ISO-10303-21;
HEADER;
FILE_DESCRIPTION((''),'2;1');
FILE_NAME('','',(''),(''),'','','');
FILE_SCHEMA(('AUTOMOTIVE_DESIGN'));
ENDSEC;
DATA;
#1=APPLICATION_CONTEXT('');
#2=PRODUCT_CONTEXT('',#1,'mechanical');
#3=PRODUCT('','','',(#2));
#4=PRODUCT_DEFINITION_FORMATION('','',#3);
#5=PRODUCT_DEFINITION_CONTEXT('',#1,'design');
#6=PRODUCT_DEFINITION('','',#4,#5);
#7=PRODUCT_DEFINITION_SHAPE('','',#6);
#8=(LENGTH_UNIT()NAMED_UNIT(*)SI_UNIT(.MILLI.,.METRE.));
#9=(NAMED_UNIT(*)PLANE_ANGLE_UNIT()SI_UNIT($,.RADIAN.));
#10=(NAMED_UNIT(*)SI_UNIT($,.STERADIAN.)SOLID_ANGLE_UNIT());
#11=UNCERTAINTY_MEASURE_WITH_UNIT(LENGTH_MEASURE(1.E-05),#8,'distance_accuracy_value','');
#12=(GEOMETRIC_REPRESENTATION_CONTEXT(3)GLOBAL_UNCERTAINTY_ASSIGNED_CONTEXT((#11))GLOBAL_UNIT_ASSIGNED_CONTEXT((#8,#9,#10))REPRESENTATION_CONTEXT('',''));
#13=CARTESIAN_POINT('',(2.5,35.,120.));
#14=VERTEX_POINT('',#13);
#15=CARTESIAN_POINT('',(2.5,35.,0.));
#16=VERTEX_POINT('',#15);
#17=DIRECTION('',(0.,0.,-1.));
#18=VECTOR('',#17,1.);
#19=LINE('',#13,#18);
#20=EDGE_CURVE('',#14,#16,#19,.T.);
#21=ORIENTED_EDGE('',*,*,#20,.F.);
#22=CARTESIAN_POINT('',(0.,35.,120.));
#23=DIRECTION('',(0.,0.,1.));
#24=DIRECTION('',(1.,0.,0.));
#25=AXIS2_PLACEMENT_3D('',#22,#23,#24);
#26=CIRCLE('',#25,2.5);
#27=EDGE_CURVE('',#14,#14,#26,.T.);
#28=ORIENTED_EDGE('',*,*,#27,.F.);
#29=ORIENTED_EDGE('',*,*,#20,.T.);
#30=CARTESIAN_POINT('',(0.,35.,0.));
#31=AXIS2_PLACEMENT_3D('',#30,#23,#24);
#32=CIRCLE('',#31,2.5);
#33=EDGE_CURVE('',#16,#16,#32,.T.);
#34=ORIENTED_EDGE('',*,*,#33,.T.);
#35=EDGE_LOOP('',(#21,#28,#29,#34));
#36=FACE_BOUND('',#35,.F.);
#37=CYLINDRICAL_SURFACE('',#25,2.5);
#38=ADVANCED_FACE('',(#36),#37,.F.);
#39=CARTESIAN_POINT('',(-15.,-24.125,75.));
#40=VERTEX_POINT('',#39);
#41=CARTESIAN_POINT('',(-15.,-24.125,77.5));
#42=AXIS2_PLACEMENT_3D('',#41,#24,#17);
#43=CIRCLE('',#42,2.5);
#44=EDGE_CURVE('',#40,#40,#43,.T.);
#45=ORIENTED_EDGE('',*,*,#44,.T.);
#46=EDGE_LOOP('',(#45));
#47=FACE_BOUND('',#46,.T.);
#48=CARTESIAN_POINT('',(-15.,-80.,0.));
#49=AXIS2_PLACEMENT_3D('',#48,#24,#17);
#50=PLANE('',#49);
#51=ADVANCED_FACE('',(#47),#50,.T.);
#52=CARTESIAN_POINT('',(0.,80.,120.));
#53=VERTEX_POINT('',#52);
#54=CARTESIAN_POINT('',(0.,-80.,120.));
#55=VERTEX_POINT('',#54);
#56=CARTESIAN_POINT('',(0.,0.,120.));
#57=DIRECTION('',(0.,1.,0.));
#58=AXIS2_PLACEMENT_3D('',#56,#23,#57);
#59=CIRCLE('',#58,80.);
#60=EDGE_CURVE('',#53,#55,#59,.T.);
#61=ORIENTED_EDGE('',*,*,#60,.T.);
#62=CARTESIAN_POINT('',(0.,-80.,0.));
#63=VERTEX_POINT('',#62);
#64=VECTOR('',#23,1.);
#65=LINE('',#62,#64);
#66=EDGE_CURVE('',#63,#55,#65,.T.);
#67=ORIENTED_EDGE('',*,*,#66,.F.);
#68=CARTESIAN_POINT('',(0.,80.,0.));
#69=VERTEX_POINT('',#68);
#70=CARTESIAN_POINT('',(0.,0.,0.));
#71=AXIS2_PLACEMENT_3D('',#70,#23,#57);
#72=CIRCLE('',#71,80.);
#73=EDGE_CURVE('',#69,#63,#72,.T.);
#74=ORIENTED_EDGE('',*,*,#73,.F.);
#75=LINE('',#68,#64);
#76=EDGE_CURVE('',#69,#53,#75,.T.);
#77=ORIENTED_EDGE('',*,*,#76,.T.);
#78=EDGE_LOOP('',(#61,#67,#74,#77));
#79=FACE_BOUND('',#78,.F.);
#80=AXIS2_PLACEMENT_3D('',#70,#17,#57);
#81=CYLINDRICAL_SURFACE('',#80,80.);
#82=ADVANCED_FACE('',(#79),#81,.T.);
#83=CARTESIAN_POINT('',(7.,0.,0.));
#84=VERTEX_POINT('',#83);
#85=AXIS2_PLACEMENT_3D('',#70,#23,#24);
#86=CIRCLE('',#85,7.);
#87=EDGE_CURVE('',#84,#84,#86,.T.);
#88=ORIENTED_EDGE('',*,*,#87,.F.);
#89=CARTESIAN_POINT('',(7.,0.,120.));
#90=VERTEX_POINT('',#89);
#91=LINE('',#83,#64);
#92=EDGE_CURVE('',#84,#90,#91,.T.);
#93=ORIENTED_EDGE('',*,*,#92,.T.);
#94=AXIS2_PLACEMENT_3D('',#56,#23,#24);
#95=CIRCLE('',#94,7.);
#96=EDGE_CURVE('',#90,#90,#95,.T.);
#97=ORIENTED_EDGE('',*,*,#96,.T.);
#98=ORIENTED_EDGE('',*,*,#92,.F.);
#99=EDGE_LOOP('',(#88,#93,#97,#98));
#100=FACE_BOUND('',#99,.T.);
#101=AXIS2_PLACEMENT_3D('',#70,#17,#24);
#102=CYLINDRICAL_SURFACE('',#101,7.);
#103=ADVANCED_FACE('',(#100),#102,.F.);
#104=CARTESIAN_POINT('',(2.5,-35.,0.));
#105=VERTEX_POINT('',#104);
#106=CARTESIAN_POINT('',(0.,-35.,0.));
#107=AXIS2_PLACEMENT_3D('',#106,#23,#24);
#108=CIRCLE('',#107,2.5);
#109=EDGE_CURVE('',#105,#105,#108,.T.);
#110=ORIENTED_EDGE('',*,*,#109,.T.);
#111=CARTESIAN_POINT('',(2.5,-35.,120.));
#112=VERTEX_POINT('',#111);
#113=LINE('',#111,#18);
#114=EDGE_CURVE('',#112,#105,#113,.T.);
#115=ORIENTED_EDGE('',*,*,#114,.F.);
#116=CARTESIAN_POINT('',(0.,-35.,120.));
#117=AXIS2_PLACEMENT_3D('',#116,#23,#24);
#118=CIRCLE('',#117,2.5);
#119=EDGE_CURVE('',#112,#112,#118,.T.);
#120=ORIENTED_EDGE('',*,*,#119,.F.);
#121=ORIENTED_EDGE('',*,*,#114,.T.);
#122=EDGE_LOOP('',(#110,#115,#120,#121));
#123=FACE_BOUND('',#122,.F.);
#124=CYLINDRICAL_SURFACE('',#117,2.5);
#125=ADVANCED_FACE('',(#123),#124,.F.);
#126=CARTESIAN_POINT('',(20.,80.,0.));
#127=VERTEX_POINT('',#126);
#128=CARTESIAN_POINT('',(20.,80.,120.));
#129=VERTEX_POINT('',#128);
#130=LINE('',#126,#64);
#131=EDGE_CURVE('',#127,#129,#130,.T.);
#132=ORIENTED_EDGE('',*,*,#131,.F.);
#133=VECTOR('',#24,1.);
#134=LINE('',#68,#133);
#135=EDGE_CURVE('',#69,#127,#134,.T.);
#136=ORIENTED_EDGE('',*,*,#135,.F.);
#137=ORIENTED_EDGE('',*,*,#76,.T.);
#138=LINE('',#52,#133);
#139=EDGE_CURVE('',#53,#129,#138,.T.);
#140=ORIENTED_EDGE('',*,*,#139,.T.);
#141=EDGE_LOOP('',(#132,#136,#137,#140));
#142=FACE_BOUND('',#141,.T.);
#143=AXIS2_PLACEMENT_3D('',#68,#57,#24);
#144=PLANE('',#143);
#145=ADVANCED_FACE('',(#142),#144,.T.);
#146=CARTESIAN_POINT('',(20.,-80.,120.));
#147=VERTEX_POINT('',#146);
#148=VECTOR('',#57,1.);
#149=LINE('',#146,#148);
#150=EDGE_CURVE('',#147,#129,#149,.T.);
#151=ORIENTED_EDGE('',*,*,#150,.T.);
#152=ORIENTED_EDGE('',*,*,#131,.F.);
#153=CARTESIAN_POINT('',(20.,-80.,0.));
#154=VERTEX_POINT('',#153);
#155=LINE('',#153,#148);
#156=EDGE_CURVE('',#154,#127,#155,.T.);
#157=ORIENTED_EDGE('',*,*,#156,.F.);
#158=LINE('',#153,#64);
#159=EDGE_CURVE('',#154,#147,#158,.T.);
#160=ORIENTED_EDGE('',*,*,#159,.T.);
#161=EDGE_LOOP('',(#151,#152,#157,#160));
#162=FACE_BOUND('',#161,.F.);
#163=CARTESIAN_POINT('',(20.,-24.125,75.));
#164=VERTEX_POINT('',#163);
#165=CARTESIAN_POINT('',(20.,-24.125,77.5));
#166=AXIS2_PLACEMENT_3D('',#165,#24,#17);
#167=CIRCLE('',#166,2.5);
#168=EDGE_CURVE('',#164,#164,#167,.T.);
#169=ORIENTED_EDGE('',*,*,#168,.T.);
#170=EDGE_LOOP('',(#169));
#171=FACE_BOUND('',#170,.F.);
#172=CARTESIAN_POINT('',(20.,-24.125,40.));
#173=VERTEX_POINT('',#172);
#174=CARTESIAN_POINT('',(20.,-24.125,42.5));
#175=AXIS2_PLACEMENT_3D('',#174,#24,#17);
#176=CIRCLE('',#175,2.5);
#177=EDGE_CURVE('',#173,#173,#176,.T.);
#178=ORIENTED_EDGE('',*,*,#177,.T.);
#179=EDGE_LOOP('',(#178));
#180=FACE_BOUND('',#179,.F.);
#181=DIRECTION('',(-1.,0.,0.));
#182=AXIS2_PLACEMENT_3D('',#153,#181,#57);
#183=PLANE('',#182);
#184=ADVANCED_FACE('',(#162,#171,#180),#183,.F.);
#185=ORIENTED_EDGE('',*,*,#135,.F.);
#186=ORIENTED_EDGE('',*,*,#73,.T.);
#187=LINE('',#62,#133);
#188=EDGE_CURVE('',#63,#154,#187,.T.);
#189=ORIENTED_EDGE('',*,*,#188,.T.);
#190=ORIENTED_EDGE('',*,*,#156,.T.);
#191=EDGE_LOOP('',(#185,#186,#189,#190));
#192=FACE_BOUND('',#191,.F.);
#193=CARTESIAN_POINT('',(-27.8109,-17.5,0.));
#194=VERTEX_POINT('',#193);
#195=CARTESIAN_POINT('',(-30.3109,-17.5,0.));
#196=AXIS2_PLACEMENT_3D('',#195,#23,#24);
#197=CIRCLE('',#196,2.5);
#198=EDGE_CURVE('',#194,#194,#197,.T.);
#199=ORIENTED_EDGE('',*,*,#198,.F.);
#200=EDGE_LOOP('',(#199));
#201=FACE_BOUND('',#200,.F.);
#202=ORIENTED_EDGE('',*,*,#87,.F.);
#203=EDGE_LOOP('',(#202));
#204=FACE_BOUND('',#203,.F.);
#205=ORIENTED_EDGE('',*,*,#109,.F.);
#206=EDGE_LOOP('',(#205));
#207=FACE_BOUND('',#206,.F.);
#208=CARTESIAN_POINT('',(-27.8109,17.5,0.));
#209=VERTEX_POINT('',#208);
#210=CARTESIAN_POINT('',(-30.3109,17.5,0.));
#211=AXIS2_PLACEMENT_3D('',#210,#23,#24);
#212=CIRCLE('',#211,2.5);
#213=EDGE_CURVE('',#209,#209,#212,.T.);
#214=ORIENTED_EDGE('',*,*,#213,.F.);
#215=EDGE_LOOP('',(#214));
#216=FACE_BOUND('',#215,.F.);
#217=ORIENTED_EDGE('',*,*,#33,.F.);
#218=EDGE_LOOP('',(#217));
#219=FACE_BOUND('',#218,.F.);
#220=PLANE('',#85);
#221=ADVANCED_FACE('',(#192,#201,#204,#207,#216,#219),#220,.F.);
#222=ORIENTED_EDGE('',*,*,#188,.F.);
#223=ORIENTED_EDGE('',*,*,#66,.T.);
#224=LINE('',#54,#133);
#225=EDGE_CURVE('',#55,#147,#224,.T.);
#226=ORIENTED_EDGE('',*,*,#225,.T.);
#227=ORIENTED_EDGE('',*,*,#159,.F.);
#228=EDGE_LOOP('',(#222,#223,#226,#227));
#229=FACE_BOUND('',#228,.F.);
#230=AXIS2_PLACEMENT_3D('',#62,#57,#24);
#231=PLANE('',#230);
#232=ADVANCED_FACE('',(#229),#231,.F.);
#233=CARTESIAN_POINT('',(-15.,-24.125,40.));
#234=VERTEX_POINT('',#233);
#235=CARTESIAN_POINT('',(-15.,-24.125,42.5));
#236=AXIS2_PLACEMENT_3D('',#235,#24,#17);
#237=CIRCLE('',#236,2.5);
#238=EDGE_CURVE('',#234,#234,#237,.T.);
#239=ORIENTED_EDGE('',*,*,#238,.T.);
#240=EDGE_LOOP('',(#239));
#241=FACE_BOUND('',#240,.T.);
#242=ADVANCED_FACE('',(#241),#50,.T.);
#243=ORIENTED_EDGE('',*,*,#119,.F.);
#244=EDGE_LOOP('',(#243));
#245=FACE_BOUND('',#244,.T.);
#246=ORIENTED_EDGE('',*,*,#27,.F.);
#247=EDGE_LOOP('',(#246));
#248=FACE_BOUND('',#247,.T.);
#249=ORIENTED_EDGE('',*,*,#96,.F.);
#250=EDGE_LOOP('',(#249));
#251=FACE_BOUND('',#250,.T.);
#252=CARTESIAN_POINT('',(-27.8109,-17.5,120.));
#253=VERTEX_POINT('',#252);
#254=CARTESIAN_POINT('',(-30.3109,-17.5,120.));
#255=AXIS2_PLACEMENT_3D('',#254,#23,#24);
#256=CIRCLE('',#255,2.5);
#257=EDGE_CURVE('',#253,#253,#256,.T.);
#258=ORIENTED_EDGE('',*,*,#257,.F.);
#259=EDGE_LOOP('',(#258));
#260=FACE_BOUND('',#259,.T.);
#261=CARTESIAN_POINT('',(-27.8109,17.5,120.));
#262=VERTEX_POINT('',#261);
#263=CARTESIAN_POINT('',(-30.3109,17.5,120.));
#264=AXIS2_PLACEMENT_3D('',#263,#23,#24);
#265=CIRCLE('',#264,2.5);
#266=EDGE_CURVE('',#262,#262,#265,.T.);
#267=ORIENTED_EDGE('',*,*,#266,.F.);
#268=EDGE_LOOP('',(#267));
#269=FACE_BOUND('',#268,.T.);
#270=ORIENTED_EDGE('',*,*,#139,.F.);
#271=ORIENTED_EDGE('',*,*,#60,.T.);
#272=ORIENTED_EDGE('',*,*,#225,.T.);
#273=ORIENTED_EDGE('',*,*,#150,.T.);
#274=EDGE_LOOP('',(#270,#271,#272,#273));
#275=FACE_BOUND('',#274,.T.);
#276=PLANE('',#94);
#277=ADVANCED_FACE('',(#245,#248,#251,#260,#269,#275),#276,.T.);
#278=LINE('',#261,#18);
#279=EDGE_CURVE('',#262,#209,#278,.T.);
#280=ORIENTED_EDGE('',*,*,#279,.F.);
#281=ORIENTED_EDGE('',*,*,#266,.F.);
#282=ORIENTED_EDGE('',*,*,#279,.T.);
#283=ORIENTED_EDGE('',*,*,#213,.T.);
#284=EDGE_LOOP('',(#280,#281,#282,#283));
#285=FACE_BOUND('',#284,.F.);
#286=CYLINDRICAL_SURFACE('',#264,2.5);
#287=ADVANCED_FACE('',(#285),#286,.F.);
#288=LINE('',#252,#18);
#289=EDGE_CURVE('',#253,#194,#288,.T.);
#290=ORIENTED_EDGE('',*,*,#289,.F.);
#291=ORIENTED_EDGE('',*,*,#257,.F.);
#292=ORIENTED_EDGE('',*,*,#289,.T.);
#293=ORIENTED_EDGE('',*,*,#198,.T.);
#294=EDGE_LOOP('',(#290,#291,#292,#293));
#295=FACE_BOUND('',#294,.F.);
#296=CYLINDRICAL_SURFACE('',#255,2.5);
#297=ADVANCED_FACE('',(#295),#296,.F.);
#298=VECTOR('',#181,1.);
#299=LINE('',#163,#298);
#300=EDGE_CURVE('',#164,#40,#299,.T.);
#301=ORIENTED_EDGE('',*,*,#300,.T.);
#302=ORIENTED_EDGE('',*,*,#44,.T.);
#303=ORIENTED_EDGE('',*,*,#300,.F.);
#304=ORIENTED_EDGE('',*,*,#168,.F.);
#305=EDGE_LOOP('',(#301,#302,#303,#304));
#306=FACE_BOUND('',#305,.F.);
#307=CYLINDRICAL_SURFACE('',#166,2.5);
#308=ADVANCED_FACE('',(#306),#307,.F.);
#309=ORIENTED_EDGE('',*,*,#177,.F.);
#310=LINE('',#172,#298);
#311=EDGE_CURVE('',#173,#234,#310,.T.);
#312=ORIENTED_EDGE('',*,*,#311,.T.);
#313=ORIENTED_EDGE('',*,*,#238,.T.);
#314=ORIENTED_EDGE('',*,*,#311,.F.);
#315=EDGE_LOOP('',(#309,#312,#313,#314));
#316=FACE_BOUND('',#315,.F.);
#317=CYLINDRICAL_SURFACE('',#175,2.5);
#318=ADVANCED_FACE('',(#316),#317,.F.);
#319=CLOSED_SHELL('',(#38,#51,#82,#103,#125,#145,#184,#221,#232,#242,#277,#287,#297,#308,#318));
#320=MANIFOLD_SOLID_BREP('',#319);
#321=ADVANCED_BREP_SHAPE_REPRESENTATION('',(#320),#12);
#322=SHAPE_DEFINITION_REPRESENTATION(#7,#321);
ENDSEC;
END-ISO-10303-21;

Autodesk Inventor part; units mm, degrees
ref_plane "YZ Plane" through (0, 0, 0) normal (1, 0, 0) x (0, 1, 0)
ref_plane "XZ Plane" through (0, 0, 0) normal (0, 1, 0) x (-1, 0, 0)
ref_plane "XY Plane" through (0, 0, 0) normal (0, 0, 1) x (1, 0, 0)
sketch "Sketch1" plane through (0, 0, 0) normal (0, 0, 1) x (1, 0, 0)
  circle A0 centre (0, 0) radius 80 construction
  line L0 (0, 80) -> (20, 80)
  line L1 (0, -80) -> (20, -80)
  line L2 (20, -80) -> (20, 80)
  arc A1 (0, 80) -> (0, -80) centre (0, 0) ccw
  circle A2 centre (0, 0) radius 7
  dimension "d0" = 160
  dimension "d1" = 20
  dimension "d3" = 14
extrude "Extrusion1" add sketch "Sketch1" along normal blind 120
sketch "Sketch2" plane through (20, -80, 0) normal (1, 0, 0) x (0, 0, -1)
  line L0 (-120, 160) -> (-120, 0) projected
  line L1 (-120, 55.875) -> (0, 55.875) construction
  line L2 (0, 0) -> (0, 160) projected
  line L3 (-120, 0) -> (-120, 160) projected
  circle A0 centre (-42.5, 55.875) radius 2.5
  circle A1 centre (-77.5, 55.875) radius 2.5
  point P0 (0, 80)
  dimension "d6" = 24.125
  dimension "d7" = 5
  dimension "d8" = 5
  dimension "d9" = 42.5
  dimension "d10" = 35
extrude "Extrusion2" cut sketch "Sketch2" against normal blind 35
sketch "Sketch3" plane through (0, 0, 120) normal (0, 0, 1) x (1, 0, 0)
  circle A0 centre (0, 35) radius 2.5
  circle A1 centre (-30.3109, 17.5) radius 2.5
  circle A2 centre (-30.3109, -17.5) radius 2.5
  circle A3 centre (0, -35) radius 2.5
  circle A4 centre (30.3109, -17.5) radius 2.5
  circle A5 centre (30.3109, 17.5) radius 2.5
  point P0 (0, 0)
  dimension "d14" = 5
  dimension "d15" = 35
  dimension "d18" = 360
extrude "Extrusion3" cut sketch "Sketch3" against normal through all
properties part number "AA004" material "ABS Plastic"
